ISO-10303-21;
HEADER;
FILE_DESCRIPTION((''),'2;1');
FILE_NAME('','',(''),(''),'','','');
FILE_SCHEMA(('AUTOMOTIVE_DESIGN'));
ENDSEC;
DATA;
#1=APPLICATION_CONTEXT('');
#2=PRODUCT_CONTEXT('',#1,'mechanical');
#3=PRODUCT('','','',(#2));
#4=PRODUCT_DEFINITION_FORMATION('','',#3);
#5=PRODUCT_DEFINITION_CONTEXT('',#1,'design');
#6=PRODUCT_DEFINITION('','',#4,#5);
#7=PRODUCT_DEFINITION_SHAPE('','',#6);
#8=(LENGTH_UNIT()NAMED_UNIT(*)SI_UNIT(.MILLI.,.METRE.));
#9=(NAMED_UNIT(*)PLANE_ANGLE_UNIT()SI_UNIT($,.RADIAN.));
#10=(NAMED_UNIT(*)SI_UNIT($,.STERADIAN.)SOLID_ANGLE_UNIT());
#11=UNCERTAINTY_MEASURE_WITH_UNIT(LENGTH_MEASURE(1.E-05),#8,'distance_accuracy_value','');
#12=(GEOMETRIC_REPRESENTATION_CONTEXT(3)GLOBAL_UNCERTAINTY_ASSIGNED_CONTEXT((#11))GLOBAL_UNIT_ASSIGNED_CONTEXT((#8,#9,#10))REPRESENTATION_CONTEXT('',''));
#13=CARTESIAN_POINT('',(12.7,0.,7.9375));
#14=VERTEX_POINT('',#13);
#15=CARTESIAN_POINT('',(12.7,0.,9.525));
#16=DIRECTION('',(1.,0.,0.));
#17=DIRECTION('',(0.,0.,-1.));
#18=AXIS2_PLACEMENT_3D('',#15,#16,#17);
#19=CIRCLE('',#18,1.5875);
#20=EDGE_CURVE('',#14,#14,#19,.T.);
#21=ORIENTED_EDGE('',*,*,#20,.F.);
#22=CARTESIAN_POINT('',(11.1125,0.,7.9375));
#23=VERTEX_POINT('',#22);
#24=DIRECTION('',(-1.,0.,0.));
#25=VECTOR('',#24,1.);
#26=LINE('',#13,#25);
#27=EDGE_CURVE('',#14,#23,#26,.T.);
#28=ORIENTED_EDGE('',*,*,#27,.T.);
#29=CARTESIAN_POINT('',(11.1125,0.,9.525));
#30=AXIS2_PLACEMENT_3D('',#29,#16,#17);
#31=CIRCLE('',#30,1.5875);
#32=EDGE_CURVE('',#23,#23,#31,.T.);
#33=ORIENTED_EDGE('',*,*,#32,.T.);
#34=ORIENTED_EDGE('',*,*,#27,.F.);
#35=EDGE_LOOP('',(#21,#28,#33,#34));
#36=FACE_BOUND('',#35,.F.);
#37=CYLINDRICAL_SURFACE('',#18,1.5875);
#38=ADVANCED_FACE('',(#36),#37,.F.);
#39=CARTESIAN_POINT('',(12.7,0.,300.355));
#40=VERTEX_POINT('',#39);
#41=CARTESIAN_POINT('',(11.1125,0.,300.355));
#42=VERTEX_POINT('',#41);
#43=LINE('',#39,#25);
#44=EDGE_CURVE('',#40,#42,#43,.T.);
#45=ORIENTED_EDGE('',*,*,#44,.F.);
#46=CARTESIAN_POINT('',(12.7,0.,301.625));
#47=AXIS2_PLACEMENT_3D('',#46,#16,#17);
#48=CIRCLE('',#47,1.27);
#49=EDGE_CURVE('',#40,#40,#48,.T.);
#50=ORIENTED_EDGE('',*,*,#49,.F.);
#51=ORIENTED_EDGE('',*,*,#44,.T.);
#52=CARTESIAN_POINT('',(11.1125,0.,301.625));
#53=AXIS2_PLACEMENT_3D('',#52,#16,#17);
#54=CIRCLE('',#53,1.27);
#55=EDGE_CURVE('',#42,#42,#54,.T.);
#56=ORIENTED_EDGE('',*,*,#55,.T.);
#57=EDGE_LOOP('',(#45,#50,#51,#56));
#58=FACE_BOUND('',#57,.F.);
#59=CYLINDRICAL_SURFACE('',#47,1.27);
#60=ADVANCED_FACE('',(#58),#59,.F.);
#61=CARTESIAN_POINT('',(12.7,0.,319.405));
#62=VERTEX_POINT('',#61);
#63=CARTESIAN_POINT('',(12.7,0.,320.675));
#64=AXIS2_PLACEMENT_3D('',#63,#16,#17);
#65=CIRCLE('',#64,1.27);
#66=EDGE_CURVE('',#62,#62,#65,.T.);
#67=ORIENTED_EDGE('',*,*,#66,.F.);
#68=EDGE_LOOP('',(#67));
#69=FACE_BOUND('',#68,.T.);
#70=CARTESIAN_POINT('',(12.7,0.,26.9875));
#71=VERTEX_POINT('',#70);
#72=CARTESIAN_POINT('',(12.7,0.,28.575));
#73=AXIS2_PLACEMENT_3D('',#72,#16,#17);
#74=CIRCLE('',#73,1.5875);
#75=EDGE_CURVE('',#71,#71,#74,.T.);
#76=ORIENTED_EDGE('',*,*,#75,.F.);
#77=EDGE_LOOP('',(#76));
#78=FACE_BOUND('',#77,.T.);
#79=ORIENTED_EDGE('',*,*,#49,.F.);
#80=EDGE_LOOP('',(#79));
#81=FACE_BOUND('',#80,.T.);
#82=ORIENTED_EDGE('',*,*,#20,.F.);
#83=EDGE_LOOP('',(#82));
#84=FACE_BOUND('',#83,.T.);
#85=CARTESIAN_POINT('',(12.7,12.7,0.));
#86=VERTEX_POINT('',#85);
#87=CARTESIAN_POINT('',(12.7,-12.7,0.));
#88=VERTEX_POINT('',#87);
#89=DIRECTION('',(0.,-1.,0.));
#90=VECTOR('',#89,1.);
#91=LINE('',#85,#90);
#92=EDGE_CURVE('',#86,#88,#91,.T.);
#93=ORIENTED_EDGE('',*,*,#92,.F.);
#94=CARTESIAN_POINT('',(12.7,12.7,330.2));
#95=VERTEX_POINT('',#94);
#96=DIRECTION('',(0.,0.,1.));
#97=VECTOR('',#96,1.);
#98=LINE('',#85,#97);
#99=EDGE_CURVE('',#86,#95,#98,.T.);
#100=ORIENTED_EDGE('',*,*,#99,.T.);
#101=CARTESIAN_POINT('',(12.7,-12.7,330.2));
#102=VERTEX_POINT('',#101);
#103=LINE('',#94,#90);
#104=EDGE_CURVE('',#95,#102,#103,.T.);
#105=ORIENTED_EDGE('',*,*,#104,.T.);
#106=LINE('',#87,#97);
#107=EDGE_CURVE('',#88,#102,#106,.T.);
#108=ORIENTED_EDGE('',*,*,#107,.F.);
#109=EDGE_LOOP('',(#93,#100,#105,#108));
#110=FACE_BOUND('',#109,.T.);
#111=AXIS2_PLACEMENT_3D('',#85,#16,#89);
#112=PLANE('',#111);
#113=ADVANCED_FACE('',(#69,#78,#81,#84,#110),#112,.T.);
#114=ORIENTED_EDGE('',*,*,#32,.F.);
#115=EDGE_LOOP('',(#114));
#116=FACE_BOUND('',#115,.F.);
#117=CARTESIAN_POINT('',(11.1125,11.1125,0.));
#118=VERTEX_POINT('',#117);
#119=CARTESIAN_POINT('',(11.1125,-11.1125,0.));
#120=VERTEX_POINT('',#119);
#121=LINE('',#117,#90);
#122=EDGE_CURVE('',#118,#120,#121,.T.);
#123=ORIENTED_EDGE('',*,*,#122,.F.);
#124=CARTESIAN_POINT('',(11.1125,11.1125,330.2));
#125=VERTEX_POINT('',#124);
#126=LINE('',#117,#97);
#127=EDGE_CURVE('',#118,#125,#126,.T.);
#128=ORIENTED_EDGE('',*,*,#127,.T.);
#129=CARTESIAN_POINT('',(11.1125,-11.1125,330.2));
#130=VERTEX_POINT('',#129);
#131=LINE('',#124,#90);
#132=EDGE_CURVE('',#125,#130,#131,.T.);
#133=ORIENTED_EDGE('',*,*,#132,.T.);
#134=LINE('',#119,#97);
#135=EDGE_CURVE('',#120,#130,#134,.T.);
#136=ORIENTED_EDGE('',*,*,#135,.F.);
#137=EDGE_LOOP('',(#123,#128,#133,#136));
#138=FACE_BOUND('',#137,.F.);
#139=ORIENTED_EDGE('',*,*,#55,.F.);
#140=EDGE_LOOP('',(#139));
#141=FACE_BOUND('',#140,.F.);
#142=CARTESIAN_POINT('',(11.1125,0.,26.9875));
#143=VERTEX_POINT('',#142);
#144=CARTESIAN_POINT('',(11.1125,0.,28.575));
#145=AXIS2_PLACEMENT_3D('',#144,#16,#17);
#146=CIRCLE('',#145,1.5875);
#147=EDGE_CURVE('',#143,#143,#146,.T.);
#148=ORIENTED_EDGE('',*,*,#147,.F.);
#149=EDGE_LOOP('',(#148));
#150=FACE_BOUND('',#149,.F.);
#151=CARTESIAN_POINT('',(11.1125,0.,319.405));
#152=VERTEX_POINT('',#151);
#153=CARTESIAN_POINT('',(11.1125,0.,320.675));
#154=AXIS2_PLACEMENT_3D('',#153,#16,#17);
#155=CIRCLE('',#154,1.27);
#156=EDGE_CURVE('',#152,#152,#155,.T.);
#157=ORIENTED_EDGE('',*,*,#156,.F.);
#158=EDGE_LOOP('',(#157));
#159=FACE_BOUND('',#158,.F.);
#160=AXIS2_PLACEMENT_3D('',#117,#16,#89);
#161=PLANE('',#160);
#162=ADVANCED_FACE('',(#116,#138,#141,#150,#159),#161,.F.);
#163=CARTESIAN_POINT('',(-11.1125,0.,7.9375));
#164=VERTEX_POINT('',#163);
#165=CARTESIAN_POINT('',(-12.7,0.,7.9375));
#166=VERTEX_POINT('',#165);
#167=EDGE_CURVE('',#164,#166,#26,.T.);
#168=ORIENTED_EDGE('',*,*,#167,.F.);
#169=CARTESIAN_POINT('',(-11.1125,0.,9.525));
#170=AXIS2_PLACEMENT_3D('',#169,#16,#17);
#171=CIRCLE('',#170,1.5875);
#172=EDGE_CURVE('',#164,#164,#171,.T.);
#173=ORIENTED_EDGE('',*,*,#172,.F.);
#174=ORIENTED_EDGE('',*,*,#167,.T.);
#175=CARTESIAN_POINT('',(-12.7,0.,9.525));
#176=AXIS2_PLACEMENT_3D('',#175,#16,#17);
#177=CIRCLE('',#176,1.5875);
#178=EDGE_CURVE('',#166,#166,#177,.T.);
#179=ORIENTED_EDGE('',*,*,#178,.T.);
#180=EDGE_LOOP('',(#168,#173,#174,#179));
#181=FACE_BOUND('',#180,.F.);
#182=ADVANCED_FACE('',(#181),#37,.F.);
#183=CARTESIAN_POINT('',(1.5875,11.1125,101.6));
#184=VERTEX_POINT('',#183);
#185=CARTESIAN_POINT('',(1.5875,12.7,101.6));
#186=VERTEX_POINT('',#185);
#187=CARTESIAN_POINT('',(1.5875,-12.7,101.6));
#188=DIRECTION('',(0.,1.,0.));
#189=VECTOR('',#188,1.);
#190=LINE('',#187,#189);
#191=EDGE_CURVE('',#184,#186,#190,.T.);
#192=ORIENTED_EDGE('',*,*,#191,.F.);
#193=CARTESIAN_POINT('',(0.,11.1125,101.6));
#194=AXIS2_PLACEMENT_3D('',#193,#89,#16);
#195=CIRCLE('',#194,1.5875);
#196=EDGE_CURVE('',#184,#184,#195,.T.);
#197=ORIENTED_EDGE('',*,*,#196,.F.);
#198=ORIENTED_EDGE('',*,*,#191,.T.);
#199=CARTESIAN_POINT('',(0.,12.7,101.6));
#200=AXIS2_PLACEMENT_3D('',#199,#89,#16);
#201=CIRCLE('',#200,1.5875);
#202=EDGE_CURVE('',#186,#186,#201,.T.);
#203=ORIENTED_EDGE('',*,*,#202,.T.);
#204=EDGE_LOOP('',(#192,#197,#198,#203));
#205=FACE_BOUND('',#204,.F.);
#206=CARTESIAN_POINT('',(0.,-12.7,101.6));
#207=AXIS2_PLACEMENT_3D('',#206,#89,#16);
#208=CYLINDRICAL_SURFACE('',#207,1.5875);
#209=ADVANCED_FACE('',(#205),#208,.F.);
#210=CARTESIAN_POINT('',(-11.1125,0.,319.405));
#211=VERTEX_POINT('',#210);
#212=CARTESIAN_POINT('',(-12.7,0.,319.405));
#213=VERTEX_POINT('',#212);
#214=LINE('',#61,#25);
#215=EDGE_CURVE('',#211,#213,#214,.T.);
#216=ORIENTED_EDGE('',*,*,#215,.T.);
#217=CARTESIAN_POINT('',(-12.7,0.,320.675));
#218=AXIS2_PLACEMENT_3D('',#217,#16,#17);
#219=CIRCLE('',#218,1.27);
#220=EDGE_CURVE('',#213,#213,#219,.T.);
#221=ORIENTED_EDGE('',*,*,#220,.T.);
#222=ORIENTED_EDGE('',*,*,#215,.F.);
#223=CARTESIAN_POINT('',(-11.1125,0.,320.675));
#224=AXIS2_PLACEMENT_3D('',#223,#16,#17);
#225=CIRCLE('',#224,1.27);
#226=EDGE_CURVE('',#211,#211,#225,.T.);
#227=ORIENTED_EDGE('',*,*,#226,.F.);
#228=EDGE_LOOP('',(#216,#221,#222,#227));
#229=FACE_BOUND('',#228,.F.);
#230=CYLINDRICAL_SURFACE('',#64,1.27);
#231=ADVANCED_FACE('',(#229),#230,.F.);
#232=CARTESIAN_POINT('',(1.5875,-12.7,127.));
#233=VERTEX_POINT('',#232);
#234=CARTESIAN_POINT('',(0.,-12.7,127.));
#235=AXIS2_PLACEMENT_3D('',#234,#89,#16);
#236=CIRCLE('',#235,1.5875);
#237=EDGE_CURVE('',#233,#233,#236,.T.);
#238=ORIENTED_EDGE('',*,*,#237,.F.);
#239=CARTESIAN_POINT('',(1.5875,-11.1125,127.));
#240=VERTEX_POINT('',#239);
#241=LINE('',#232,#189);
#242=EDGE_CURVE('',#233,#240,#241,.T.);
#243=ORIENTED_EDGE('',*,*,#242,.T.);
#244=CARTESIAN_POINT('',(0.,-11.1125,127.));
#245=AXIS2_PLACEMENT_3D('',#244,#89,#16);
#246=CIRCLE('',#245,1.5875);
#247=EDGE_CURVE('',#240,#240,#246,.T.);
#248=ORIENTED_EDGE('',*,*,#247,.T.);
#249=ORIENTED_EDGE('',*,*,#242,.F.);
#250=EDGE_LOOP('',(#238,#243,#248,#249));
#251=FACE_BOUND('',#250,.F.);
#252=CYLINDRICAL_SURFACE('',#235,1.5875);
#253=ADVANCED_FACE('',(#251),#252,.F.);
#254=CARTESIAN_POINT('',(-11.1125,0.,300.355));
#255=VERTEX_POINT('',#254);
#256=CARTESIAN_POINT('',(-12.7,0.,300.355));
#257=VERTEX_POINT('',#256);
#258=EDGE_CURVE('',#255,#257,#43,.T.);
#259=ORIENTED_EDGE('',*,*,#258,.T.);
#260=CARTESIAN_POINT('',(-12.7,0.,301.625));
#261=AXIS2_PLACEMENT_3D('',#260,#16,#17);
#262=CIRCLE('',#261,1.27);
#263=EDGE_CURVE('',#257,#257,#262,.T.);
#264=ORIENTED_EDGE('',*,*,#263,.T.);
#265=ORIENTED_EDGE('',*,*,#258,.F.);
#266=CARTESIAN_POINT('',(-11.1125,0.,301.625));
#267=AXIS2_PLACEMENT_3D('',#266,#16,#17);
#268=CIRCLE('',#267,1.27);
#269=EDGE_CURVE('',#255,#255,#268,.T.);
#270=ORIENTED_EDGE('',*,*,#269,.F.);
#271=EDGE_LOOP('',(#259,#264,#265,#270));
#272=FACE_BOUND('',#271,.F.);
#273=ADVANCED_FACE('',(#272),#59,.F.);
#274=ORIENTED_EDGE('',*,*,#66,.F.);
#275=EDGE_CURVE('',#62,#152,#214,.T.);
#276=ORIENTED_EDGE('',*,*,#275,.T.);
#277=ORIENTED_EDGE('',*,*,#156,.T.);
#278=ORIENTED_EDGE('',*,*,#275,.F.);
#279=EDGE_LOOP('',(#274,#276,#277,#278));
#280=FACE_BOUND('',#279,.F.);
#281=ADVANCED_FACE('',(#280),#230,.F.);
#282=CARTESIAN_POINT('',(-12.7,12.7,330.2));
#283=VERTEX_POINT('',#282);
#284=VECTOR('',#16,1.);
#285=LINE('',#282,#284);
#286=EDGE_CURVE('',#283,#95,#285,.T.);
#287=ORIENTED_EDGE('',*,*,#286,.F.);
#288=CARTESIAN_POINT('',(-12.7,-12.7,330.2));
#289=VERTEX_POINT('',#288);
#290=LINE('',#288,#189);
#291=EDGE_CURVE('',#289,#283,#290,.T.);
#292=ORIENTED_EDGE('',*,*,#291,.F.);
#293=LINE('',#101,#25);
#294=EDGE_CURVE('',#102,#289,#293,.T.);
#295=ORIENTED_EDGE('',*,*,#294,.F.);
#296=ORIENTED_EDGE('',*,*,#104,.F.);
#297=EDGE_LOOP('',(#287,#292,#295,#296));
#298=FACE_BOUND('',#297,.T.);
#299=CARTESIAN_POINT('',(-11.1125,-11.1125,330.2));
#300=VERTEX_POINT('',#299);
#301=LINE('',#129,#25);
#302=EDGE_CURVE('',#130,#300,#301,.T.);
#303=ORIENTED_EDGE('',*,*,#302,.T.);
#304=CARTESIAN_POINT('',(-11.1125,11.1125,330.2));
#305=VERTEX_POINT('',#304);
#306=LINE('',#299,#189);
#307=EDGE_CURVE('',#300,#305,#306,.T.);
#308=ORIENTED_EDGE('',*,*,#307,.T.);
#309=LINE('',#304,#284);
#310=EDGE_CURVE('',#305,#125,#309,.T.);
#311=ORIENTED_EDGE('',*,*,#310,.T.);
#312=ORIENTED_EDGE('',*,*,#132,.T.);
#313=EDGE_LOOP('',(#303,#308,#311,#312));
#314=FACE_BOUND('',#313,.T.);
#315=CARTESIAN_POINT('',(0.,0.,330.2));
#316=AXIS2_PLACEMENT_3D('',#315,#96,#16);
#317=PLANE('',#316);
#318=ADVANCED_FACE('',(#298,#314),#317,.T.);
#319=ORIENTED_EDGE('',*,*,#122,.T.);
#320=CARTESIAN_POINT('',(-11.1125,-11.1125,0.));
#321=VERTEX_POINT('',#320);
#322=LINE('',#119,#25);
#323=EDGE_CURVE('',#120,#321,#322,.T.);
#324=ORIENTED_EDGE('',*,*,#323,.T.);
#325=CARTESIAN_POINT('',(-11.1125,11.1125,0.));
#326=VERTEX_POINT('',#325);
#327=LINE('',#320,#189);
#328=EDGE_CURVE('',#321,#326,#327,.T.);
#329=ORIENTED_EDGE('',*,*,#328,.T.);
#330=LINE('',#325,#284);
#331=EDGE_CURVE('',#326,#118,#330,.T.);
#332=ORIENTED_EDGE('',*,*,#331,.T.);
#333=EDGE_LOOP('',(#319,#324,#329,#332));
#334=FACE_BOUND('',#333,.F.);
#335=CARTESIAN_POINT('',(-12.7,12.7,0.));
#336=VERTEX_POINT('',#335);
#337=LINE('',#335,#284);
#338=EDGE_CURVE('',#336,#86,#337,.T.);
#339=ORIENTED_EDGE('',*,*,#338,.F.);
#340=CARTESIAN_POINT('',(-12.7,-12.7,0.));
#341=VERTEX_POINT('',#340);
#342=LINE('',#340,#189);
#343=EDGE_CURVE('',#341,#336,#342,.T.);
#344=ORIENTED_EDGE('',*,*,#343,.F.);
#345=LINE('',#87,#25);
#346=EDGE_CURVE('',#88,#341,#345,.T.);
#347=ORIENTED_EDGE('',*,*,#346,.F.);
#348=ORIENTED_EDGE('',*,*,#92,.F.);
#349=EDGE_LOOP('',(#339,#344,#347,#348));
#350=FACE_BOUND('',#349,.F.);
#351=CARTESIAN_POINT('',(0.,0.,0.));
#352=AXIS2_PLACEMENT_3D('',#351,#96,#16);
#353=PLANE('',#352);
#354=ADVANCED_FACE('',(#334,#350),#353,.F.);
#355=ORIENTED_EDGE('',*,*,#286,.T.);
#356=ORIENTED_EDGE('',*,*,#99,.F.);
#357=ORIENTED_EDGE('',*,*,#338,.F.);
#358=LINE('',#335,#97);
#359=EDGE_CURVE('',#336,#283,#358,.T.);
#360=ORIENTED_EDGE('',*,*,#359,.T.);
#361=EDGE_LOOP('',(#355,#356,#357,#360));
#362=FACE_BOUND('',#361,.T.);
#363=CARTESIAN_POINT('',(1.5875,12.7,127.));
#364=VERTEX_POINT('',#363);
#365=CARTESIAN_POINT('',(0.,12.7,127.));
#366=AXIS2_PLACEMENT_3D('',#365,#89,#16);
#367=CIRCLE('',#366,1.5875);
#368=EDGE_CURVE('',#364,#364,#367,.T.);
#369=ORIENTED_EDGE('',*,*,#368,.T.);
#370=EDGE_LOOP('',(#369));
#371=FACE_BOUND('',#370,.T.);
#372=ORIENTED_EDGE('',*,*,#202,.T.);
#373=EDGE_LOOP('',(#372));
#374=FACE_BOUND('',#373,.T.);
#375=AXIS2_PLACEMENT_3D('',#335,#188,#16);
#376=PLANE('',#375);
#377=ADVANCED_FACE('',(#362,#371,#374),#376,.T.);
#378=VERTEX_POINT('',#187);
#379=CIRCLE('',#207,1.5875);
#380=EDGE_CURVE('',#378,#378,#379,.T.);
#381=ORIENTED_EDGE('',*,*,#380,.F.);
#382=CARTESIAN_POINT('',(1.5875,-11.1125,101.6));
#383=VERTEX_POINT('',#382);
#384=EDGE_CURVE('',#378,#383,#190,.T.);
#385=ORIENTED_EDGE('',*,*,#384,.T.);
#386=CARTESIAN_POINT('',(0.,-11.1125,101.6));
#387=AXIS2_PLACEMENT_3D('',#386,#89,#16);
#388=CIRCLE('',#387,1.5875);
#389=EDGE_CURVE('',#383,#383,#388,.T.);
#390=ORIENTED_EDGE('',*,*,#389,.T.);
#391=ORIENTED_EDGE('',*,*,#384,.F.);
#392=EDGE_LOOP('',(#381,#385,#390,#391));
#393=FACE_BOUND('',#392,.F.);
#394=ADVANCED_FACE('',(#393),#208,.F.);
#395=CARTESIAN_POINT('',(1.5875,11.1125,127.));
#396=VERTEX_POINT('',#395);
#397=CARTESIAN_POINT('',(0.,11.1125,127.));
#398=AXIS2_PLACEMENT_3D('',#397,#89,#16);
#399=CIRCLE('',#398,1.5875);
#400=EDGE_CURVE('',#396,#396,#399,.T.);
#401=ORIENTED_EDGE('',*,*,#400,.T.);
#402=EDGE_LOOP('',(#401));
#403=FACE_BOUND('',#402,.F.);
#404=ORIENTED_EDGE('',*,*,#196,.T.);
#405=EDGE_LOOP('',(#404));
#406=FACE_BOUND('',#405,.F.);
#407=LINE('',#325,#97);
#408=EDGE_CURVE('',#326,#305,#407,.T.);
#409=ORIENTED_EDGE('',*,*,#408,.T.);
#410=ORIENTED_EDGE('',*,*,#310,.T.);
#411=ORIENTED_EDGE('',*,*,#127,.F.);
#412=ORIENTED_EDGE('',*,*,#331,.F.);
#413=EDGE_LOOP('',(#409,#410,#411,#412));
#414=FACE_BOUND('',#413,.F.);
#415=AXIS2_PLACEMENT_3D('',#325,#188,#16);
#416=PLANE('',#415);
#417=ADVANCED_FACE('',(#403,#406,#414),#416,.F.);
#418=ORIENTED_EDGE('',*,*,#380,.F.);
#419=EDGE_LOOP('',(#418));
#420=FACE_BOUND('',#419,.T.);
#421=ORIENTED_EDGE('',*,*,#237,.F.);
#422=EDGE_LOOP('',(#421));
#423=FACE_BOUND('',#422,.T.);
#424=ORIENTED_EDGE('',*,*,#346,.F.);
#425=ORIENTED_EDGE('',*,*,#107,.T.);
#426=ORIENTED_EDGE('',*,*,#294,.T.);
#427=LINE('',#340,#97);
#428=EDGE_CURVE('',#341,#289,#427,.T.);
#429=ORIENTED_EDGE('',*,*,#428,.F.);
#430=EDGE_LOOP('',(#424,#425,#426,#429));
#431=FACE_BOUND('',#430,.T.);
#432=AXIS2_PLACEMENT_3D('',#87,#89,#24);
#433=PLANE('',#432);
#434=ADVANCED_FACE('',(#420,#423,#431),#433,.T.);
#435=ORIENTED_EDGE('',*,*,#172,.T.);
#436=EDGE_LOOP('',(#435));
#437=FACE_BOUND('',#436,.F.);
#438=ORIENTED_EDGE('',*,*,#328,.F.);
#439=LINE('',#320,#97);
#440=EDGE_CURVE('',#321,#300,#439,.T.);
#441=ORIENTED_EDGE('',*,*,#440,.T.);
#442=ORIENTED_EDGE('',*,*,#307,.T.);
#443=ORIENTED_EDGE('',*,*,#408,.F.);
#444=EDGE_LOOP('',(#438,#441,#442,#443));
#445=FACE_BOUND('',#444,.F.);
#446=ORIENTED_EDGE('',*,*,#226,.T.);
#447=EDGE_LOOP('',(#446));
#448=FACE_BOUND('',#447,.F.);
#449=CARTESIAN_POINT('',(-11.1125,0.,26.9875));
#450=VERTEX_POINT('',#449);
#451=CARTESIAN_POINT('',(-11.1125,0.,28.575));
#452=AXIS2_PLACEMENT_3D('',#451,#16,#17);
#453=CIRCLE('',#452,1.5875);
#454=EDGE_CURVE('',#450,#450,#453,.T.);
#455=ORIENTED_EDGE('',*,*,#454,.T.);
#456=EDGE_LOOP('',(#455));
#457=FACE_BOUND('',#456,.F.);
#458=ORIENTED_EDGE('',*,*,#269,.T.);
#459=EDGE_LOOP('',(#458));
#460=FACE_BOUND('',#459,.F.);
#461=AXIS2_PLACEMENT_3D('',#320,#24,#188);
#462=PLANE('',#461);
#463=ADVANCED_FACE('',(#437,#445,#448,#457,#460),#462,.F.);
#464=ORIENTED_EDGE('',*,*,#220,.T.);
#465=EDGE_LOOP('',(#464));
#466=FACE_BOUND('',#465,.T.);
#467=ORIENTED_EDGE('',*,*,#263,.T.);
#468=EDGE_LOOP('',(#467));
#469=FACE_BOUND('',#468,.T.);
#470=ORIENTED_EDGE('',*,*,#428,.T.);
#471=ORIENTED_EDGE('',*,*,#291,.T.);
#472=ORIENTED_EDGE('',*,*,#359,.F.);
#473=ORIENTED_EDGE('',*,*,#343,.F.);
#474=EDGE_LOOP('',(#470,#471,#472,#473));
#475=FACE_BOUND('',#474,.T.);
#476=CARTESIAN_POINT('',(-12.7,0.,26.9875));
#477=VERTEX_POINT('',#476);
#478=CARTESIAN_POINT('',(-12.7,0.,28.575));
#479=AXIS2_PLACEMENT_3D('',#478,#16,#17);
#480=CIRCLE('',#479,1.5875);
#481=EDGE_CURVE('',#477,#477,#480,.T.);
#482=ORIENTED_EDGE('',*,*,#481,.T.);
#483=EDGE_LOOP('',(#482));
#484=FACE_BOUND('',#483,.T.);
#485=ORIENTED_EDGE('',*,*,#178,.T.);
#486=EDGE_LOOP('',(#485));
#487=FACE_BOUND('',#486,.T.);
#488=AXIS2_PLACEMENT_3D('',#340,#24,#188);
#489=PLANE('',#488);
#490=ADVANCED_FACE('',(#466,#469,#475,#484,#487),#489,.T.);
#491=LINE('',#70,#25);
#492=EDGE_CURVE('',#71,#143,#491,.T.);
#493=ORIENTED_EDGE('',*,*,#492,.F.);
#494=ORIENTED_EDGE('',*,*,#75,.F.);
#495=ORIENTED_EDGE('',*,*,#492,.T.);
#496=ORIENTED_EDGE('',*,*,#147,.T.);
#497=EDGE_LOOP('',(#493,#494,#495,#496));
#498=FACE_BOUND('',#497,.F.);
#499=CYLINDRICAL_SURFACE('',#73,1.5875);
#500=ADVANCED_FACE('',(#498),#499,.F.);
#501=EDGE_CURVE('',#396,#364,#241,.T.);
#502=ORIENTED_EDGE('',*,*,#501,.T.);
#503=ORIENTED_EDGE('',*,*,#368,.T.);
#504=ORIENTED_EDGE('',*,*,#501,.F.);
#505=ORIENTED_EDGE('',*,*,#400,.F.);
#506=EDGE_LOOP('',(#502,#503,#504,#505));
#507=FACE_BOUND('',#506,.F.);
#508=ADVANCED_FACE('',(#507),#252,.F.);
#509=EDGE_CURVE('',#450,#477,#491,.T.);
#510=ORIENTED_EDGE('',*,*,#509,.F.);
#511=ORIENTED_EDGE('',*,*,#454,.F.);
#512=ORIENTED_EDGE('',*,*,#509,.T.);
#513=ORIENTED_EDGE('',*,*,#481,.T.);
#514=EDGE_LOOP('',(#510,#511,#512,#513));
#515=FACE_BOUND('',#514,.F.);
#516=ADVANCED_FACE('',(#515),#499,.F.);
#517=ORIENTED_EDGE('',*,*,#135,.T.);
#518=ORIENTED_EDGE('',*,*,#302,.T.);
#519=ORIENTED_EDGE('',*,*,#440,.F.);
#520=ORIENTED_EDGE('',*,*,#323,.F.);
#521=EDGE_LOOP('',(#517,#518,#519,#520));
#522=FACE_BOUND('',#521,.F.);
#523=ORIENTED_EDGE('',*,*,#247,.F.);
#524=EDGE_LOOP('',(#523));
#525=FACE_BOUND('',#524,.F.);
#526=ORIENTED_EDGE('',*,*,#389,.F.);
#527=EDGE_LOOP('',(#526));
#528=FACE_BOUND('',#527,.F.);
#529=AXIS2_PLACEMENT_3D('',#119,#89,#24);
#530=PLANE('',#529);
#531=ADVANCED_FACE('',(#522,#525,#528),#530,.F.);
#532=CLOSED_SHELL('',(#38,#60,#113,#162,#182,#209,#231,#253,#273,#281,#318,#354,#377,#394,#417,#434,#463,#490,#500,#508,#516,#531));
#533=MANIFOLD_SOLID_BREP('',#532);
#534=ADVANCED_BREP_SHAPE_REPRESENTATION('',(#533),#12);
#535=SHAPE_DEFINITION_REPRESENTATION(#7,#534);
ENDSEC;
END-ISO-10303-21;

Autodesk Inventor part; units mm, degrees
ref_plane "YZ Plane" through (0, 0, 0) normal (1, 0, 0) x (0, 1, 0)
ref_plane "XZ Plane" through (0, 0, 0) normal (0, 1, 0) x (-1, 0, 0)
ref_plane "XY Plane" through (0, 0, 0) normal (0, 0, 1) x (1, 0, 0)
sketch "Sketch1" plane through (0, 0, 0) normal (0, 0, 1) x (1, 0, 0)
  line L0 (0, 0) -> (-11.1125, 0) construction
  line L1 (0, 0) -> (0, 11.1125) construction
  line L2 (-11.1125, 11.1125) -> (11.1125, 11.1125)
  line L3 (11.1125, 11.1125) -> (11.1125, -11.1125)
  line L4 (11.1125, -11.1125) -> (-11.1125, -11.1125)
  line L5 (-11.1125, -11.1125) -> (-11.1125, 11.1125)
  line L6 (-12.7, 12.7) -> (12.7, 12.7)
  line L7 (12.7, 12.7) -> (12.7, -12.7)
  line L8 (12.7, -12.7) -> (-12.7, -12.7)
  line L9 (-12.7, -12.7) -> (-12.7, 12.7)
  line L10 (-11.1125, 0) -> (-12.7, 0) construction
  line L11 (0, 11.1125) -> (0, 12.7) construction
  dimension "d0" = 25.4
  dimension "d1" = 1.5875
extrude "Extrusion1" add sketch "Sketch1" along normal blind 330.2
sketch "Sketch2" plane through (12.7, -12.7, 0) normal (1, 0, 0) x (0, 0, -1)
  line L0 (0, 12.7) -> (-330.2, 12.7) construction
  line L1 (-330.2, 1.5875) -> (-330.2, 23.8125) construction
  circle A0 centre (-320.675, 12.7) radius 1.27
  circle A1 centre (-301.625, 12.7) radius 1.27
  circle A2 centre (-9.525, 12.7) radius 1.5875
  circle A3 centre (-28.575, 12.7) radius 1.5875
  dimension "d4" = 2.54
  dimension "d5" = 19.05
  dimension "d6" = 9.525
  dimension "d7" = 3.175
  dimension "d8" = 19.05
  dimension "d9" = 9.525
extrude "Extrusion2" cut sketch "Sketch2" against normal through all
sketch "Sketch3" plane through (-12.7, -12.7, 0) normal (0, -1, 0) x (1, 0, 0)
  circle A0 centre (12.7, 127) radius 1.5875
  circle A1 centre (12.7, 101.6) radius 1.5875
  line L0 (0, 0) -> (25.4, 0) construction
  line L1 (12.7, 0) -> (12.7, 101.6) construction
  line L2 (12.7, 101.6) -> (12.7, 127) construction
  line L3 (12.7, 114.3) -> (0, 114.3) construction
  line L4 (1.5875, 0) -> (1.5875, 330.2) construction
  dimension "d12" = 3.175
  dimension "d13" = 114.3
  dimension "d14" = 25.4
extrude "Extrusion3" cut sketch "Sketch3" against normal through all
properties part number "Short Side" material "Aluminum 6061"
